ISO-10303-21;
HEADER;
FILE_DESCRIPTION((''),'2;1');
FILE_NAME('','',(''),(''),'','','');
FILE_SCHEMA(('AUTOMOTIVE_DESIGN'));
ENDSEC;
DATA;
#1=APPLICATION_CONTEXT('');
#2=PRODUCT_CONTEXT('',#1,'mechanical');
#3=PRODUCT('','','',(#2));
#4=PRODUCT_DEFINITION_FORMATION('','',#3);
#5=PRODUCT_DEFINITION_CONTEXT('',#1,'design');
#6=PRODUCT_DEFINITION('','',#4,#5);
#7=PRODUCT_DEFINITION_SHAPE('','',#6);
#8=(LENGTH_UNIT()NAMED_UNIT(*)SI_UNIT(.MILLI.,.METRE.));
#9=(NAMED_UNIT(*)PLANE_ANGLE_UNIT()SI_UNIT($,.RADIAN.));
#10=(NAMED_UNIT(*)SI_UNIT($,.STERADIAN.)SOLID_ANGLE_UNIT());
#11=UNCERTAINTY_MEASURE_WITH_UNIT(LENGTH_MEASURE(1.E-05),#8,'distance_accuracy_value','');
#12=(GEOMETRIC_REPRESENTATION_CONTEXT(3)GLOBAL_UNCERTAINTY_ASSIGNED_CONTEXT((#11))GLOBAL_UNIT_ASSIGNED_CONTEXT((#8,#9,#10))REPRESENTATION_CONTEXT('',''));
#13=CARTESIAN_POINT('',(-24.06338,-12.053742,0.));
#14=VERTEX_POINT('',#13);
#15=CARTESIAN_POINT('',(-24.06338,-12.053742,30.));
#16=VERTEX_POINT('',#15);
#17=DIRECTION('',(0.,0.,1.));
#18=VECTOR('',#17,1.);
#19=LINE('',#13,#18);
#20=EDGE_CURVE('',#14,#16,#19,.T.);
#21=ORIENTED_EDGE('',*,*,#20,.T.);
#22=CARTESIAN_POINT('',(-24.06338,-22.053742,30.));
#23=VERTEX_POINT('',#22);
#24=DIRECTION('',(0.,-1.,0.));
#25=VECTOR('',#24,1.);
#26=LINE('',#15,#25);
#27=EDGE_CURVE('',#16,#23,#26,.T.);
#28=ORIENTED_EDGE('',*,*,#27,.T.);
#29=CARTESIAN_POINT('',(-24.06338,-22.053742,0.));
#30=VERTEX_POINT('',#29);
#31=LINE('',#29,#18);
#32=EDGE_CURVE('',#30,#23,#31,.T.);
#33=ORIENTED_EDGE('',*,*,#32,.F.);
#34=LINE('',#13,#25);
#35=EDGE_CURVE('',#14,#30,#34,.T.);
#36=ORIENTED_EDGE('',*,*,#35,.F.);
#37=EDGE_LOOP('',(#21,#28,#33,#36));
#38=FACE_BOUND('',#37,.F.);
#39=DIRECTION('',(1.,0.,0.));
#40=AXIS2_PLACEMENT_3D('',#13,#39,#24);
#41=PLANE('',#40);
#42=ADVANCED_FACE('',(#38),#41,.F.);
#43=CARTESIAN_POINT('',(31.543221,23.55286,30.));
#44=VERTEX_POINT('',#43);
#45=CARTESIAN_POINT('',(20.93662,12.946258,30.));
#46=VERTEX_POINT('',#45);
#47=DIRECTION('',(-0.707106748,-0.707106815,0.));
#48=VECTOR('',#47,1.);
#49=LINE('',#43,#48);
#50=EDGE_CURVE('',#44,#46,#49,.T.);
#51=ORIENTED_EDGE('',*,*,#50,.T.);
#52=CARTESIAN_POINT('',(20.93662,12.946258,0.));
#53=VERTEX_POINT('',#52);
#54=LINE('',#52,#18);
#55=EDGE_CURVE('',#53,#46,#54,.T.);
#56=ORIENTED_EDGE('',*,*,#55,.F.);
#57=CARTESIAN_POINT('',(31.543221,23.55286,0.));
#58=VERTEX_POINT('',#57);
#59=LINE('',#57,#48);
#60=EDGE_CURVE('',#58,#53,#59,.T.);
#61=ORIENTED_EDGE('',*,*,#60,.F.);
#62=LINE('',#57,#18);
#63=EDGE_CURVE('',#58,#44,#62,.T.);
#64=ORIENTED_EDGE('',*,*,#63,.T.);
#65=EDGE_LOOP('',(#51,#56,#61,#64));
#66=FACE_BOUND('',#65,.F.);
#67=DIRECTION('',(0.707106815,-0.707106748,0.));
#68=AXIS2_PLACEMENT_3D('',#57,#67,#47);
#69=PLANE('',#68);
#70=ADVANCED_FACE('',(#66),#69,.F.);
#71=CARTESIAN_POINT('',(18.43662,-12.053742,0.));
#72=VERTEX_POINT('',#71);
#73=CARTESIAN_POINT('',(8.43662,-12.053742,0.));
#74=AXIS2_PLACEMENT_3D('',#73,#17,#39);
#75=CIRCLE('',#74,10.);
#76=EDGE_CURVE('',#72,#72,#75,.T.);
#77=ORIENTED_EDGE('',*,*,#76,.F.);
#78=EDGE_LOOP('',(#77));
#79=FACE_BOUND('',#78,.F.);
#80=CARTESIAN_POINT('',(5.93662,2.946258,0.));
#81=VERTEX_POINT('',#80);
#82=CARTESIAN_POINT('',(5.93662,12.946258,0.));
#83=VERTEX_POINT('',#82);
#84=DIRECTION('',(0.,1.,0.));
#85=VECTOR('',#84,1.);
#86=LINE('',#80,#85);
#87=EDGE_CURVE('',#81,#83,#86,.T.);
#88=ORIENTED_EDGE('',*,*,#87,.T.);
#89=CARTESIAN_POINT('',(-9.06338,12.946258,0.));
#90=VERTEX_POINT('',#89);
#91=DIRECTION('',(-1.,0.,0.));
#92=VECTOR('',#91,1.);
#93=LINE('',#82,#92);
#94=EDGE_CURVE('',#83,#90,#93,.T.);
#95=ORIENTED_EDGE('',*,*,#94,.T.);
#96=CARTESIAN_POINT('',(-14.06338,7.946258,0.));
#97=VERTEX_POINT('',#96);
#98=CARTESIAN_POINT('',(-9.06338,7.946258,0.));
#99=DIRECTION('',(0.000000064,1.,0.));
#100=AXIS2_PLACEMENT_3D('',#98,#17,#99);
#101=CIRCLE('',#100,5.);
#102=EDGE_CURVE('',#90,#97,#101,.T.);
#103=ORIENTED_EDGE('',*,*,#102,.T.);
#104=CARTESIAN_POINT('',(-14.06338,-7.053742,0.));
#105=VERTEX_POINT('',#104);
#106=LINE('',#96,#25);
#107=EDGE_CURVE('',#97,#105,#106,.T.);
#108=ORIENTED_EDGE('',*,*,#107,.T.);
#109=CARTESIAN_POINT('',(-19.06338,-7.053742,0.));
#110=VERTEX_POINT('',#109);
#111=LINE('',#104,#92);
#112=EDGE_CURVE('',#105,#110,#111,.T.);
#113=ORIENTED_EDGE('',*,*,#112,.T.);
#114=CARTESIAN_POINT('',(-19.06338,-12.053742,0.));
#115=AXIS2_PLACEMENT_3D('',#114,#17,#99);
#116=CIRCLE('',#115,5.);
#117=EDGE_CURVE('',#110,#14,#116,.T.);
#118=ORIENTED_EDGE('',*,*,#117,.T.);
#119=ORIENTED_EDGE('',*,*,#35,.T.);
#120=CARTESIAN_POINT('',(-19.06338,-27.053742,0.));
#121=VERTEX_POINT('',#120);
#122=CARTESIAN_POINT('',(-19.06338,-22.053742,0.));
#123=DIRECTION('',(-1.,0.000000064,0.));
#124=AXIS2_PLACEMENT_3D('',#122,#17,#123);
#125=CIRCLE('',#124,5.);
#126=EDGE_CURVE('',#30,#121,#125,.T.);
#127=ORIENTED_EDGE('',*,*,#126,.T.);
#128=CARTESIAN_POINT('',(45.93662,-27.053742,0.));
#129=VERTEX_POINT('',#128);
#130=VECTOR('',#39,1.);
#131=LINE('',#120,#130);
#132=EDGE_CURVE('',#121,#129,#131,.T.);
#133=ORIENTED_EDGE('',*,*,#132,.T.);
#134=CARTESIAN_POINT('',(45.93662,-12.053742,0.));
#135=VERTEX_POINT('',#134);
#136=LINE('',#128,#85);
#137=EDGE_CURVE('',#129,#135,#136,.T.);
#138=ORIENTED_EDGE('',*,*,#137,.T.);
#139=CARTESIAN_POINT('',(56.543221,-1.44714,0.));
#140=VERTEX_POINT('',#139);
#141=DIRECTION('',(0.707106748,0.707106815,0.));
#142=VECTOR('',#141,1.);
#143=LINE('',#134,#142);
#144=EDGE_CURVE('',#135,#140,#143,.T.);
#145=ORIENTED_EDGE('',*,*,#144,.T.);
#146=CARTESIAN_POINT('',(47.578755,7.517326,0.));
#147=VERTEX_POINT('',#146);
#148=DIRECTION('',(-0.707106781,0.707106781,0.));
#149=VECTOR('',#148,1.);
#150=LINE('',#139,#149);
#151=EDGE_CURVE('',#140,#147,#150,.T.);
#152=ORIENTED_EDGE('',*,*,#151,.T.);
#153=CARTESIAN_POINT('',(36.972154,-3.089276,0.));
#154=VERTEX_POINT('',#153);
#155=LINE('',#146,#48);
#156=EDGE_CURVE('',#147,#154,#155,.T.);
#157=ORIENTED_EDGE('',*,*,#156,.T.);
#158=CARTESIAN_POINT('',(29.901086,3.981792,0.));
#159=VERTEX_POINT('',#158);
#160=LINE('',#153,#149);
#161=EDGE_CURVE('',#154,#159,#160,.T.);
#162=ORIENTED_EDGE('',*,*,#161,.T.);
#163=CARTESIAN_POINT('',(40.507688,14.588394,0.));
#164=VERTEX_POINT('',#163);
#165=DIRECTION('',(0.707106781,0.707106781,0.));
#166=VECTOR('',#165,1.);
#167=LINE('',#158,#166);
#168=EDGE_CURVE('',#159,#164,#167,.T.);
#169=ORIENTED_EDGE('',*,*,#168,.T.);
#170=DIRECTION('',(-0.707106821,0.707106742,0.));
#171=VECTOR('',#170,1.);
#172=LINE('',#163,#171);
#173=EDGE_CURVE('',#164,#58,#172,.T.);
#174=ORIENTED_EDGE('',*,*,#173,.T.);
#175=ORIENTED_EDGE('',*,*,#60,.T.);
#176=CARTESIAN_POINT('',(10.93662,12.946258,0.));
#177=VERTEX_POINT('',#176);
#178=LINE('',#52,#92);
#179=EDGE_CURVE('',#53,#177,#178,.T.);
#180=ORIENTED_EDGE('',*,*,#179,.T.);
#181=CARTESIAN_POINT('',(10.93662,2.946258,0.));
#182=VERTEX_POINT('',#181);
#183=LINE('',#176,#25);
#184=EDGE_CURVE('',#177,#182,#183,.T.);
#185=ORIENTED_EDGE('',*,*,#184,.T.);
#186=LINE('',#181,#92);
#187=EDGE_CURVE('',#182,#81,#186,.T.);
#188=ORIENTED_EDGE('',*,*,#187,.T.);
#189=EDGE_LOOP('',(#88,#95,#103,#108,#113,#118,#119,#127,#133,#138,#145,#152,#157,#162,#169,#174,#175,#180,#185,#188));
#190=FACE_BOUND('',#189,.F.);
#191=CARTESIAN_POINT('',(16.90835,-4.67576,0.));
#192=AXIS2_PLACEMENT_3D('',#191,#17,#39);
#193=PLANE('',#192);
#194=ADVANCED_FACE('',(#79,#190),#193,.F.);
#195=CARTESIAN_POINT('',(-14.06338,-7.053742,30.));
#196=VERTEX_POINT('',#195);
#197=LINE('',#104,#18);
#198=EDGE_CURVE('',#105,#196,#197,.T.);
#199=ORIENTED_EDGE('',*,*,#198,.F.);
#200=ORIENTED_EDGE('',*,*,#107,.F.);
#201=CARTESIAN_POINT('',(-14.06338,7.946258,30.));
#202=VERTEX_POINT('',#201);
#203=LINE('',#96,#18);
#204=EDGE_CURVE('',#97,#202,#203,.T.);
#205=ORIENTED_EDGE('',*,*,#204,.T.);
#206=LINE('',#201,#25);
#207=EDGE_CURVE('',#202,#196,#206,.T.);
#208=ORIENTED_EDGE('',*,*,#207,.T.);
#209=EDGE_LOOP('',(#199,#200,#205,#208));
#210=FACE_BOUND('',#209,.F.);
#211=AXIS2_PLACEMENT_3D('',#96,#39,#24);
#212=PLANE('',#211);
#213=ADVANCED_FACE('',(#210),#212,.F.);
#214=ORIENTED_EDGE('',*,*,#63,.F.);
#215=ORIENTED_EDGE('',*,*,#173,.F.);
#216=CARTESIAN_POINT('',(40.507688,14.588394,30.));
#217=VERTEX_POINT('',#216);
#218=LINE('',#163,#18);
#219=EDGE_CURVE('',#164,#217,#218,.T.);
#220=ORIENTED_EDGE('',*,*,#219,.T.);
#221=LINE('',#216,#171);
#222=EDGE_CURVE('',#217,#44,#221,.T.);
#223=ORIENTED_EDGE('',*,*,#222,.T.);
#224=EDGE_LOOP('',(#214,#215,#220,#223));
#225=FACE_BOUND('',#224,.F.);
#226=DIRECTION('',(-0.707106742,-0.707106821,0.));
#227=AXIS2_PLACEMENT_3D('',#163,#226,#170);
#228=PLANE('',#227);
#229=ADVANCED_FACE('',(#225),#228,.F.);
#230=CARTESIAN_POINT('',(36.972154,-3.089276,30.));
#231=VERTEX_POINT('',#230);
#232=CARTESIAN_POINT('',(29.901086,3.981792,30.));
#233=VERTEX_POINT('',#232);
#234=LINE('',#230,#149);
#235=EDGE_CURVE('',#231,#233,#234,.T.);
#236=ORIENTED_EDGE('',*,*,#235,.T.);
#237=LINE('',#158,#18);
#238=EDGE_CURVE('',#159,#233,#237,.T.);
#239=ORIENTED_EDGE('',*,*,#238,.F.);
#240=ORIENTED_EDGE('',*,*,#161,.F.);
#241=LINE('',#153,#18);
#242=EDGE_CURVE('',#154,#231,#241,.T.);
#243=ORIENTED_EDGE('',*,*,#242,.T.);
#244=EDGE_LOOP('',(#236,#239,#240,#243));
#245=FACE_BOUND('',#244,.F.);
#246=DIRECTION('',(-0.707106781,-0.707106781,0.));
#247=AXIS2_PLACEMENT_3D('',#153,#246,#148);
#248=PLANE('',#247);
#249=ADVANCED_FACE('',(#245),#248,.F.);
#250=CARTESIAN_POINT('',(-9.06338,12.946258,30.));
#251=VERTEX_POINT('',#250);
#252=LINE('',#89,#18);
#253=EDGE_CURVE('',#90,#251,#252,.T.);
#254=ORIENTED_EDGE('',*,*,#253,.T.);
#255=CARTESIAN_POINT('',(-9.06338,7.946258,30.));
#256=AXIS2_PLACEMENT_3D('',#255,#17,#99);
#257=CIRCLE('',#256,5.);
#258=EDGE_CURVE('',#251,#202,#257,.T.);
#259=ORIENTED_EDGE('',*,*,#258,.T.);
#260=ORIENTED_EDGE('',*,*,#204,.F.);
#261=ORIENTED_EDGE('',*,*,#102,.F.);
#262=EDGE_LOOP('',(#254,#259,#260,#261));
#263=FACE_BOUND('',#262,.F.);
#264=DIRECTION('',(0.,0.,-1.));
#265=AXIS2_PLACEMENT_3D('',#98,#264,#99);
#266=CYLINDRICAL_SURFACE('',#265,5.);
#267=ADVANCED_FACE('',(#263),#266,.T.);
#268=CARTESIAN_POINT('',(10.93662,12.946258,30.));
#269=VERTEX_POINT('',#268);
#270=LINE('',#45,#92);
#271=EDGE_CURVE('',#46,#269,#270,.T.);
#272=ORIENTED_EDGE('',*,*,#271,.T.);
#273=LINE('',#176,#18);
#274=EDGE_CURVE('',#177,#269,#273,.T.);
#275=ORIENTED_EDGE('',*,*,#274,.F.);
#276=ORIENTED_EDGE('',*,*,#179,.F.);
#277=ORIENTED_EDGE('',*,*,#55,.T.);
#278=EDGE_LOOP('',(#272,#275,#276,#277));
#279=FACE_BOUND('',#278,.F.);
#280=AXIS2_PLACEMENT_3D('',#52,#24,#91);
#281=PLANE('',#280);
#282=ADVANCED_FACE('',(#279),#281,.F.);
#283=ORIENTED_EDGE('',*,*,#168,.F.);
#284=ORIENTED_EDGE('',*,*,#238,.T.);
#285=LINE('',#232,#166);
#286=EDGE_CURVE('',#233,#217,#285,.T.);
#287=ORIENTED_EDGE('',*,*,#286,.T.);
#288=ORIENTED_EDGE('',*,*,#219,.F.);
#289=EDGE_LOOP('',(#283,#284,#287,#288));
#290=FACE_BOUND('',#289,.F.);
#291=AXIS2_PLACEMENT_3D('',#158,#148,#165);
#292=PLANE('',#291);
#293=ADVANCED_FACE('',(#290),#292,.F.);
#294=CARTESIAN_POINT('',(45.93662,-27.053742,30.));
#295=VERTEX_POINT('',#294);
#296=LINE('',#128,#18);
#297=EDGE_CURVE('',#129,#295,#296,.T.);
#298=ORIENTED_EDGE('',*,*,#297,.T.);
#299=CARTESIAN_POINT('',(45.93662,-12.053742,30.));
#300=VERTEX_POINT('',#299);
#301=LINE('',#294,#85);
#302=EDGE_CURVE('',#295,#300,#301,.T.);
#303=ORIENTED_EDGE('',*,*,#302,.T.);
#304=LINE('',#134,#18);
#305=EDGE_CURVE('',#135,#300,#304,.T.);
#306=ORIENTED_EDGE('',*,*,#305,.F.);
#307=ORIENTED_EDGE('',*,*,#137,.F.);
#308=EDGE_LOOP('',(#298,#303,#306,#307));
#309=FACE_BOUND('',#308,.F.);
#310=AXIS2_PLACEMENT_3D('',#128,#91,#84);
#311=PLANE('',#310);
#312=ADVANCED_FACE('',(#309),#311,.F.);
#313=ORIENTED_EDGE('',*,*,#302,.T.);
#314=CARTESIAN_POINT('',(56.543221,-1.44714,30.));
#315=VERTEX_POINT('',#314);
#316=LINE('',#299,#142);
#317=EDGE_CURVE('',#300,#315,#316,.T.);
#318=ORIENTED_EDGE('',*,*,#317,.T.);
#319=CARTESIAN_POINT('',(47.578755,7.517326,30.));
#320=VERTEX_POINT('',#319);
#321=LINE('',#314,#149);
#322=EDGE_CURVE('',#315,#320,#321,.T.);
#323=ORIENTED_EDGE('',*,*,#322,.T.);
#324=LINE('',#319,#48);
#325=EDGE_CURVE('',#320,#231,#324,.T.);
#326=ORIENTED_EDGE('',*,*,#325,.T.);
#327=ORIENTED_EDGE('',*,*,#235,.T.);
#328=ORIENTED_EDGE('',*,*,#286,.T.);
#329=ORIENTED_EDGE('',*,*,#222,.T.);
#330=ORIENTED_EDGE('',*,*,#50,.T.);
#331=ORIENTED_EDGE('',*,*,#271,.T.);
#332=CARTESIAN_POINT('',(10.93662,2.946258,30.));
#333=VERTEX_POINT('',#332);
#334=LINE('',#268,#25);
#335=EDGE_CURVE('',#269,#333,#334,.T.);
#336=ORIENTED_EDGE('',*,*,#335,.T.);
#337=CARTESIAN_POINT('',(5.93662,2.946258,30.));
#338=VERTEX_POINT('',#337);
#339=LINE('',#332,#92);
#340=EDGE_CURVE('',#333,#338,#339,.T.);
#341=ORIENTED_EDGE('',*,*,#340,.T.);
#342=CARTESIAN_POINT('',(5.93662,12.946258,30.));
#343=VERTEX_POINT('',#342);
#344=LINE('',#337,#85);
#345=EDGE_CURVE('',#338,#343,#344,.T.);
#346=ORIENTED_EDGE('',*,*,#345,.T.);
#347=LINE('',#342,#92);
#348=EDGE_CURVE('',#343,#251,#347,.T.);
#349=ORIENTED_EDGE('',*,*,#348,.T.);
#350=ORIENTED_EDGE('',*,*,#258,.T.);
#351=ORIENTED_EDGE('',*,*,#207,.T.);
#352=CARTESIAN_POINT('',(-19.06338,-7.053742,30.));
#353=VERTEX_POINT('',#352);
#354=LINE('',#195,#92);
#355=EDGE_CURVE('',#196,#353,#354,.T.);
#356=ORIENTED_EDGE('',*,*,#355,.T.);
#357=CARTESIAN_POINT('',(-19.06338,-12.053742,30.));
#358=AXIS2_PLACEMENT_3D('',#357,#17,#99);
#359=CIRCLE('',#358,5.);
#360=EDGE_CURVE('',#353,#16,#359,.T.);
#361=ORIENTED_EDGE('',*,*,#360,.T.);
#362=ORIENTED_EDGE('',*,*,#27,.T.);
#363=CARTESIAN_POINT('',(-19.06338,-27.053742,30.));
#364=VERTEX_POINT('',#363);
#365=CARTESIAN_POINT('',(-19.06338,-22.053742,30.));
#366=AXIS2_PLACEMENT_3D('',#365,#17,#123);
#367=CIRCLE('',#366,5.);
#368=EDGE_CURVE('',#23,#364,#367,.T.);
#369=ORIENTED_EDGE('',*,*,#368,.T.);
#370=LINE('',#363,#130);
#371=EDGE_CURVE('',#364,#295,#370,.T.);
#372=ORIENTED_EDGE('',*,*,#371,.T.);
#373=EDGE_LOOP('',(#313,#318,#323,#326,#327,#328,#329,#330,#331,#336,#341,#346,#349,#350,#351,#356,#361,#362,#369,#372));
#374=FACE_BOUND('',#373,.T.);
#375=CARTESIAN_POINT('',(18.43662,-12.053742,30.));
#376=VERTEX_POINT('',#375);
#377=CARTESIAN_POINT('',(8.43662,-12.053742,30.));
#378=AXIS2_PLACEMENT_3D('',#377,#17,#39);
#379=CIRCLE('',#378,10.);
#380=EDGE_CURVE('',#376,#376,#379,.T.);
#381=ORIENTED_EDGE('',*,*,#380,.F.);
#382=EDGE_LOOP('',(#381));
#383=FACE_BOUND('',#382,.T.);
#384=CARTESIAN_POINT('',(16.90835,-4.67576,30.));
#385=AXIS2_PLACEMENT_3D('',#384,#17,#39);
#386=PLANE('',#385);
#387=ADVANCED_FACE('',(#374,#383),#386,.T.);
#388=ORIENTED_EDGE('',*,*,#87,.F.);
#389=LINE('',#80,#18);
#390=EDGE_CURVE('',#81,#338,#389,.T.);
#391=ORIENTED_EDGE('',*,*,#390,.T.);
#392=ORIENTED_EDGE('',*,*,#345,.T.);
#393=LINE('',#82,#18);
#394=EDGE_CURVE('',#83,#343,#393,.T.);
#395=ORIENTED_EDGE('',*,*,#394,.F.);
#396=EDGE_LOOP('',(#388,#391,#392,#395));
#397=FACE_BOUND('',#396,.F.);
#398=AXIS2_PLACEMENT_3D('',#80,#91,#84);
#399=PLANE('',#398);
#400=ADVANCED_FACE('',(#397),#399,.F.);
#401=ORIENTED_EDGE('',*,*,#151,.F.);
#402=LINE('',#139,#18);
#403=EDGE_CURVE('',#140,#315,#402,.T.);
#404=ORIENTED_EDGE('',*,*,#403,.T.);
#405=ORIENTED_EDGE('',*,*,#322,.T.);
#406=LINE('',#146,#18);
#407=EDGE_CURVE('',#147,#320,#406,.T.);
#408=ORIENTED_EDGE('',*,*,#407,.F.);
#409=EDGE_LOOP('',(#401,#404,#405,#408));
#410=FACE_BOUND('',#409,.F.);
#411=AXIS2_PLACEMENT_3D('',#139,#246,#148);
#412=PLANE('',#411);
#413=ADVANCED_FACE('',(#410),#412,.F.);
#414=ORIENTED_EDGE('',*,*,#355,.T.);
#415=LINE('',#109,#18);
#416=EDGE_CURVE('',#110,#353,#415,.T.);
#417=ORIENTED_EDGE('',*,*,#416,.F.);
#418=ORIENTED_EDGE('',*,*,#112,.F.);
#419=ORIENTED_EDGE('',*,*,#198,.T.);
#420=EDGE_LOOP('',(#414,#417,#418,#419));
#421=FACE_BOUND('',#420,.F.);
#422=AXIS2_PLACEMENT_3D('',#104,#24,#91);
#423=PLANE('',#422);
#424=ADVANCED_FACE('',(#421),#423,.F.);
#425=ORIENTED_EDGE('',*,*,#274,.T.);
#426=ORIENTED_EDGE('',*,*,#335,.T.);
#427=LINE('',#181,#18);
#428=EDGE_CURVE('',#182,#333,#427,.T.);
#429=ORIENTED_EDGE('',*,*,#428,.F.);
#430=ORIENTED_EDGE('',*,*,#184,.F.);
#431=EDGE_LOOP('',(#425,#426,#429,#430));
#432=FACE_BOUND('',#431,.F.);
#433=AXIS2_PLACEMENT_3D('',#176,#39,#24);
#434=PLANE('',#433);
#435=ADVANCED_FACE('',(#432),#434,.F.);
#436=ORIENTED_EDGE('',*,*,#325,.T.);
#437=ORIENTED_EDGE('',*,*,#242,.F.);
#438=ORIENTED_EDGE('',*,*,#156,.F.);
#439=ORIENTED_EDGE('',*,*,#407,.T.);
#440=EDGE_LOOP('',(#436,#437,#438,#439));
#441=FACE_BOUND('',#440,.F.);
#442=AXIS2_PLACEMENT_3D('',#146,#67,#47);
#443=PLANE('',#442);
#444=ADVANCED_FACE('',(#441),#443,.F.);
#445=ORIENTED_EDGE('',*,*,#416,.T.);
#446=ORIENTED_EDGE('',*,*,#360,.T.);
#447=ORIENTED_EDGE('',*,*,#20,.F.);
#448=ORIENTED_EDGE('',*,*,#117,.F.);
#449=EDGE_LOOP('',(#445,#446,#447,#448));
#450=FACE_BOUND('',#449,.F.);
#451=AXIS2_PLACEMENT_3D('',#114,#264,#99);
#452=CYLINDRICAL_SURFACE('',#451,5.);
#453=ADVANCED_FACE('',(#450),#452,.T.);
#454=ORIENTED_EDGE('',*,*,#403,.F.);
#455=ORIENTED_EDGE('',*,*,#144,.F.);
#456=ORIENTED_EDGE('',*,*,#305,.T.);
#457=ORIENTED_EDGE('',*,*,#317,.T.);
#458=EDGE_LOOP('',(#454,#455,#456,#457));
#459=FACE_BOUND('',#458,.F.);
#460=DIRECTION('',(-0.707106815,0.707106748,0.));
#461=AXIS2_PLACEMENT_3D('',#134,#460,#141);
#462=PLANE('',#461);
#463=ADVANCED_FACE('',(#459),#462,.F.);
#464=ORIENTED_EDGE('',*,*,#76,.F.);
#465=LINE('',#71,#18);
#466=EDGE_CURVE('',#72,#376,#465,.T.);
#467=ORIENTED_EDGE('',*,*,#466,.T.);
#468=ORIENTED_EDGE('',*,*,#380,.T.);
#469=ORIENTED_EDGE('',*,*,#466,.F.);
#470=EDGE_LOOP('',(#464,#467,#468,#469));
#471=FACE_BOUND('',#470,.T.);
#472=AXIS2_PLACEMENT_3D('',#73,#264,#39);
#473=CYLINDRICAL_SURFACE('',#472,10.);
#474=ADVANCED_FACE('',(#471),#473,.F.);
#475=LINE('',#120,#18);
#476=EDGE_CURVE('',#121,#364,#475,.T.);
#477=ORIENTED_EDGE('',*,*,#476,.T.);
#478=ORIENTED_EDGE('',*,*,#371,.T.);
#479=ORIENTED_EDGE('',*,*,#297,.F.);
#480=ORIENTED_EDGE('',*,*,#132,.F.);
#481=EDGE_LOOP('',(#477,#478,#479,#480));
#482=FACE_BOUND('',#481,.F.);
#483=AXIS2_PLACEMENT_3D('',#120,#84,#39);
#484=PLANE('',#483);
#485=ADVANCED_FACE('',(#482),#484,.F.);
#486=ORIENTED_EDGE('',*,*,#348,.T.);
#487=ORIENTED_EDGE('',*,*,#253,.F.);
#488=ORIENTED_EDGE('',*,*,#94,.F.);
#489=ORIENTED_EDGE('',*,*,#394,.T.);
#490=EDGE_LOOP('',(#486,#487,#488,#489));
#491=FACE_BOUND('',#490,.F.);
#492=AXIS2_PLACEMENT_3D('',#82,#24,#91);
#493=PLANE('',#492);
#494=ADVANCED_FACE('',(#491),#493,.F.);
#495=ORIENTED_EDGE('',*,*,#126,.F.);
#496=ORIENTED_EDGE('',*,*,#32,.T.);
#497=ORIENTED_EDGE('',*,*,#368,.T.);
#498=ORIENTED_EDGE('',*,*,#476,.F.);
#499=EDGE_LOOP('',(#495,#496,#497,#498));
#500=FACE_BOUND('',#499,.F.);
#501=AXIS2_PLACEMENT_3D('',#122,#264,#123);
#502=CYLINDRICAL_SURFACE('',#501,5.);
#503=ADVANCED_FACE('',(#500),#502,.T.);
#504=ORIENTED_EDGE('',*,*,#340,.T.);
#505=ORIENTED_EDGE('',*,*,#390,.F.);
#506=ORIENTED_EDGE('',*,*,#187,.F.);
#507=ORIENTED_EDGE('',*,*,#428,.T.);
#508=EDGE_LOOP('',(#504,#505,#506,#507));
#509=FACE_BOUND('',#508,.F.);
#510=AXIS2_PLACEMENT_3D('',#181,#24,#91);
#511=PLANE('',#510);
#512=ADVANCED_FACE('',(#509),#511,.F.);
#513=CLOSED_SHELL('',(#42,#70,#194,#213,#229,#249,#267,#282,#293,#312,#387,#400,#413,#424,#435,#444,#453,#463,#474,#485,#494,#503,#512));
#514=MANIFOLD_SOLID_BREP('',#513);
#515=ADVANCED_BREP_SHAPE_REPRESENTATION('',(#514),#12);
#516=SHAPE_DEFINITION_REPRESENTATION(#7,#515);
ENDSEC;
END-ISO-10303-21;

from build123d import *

# Parameters (mm, degrees)
F0_R     = 10
F1_DEPTH = 30


with BuildPart() as f1:
    # F0 (on Top) → F1 (new body)
    with BuildSketch(Plane.XY):
        with BuildLine():
            ThreePointArc((-24.06338, -22.053742), (-22.598914, -25.589276), (-19.06338, -27.053742))
            Line((-19.06338, -27.053742), (45.93662, -27.053742))
            Line((45.93662, -27.053742), (45.93662, -12.053742))
            Line((45.93662, -12.053742), (56.543221, -1.44714))
            Line((56.543221, -1.44714), (47.578755, 7.517326))
            Line((47.578755, 7.517326), (36.972154, -3.089276))
            Line((36.972154, -3.089276), (29.901086, 3.981792))
            Line((29.901086, 3.981792), (40.507688, 14.588394))
            Line((40.507688, 14.588394), (31.543221, 23.55286))
            Line((31.543221, 23.55286), (20.93662, 12.946258))
            Line((20.93662, 12.946258), (10.93662, 12.946258))
            Line((10.93662, 12.946258), (10.93662, 2.946258))
            Line((10.93662, 2.946258), (5.93662, 2.946258))
            Line((5.93662, 2.946258), (5.93662, 12.946258))
            Line((5.93662, 12.946258), (-9.06338, 12.946258))
            ThreePointArc((-9.06338, 12.946258), (-12.598914, 11.481792), (-14.06338, 7.946258))
            Line((-14.06338, 7.946258), (-14.06338, -7.053742))
            Line((-14.06338, -7.053742), (-19.06338, -7.053742))
            ThreePointArc((-19.06338, -7.053742), (-22.598914, -8.518208), (-24.06338, -12.053742))
            Line((-24.06338, -12.053742), (-24.06338, -22.053742))
        make_face()
        with Locations((8.43662, -12.053742)):
            Circle(F0_R, mode=Mode.SUBTRACT)
    extrude(amount=F1_DEPTH)


solid = f1.part
